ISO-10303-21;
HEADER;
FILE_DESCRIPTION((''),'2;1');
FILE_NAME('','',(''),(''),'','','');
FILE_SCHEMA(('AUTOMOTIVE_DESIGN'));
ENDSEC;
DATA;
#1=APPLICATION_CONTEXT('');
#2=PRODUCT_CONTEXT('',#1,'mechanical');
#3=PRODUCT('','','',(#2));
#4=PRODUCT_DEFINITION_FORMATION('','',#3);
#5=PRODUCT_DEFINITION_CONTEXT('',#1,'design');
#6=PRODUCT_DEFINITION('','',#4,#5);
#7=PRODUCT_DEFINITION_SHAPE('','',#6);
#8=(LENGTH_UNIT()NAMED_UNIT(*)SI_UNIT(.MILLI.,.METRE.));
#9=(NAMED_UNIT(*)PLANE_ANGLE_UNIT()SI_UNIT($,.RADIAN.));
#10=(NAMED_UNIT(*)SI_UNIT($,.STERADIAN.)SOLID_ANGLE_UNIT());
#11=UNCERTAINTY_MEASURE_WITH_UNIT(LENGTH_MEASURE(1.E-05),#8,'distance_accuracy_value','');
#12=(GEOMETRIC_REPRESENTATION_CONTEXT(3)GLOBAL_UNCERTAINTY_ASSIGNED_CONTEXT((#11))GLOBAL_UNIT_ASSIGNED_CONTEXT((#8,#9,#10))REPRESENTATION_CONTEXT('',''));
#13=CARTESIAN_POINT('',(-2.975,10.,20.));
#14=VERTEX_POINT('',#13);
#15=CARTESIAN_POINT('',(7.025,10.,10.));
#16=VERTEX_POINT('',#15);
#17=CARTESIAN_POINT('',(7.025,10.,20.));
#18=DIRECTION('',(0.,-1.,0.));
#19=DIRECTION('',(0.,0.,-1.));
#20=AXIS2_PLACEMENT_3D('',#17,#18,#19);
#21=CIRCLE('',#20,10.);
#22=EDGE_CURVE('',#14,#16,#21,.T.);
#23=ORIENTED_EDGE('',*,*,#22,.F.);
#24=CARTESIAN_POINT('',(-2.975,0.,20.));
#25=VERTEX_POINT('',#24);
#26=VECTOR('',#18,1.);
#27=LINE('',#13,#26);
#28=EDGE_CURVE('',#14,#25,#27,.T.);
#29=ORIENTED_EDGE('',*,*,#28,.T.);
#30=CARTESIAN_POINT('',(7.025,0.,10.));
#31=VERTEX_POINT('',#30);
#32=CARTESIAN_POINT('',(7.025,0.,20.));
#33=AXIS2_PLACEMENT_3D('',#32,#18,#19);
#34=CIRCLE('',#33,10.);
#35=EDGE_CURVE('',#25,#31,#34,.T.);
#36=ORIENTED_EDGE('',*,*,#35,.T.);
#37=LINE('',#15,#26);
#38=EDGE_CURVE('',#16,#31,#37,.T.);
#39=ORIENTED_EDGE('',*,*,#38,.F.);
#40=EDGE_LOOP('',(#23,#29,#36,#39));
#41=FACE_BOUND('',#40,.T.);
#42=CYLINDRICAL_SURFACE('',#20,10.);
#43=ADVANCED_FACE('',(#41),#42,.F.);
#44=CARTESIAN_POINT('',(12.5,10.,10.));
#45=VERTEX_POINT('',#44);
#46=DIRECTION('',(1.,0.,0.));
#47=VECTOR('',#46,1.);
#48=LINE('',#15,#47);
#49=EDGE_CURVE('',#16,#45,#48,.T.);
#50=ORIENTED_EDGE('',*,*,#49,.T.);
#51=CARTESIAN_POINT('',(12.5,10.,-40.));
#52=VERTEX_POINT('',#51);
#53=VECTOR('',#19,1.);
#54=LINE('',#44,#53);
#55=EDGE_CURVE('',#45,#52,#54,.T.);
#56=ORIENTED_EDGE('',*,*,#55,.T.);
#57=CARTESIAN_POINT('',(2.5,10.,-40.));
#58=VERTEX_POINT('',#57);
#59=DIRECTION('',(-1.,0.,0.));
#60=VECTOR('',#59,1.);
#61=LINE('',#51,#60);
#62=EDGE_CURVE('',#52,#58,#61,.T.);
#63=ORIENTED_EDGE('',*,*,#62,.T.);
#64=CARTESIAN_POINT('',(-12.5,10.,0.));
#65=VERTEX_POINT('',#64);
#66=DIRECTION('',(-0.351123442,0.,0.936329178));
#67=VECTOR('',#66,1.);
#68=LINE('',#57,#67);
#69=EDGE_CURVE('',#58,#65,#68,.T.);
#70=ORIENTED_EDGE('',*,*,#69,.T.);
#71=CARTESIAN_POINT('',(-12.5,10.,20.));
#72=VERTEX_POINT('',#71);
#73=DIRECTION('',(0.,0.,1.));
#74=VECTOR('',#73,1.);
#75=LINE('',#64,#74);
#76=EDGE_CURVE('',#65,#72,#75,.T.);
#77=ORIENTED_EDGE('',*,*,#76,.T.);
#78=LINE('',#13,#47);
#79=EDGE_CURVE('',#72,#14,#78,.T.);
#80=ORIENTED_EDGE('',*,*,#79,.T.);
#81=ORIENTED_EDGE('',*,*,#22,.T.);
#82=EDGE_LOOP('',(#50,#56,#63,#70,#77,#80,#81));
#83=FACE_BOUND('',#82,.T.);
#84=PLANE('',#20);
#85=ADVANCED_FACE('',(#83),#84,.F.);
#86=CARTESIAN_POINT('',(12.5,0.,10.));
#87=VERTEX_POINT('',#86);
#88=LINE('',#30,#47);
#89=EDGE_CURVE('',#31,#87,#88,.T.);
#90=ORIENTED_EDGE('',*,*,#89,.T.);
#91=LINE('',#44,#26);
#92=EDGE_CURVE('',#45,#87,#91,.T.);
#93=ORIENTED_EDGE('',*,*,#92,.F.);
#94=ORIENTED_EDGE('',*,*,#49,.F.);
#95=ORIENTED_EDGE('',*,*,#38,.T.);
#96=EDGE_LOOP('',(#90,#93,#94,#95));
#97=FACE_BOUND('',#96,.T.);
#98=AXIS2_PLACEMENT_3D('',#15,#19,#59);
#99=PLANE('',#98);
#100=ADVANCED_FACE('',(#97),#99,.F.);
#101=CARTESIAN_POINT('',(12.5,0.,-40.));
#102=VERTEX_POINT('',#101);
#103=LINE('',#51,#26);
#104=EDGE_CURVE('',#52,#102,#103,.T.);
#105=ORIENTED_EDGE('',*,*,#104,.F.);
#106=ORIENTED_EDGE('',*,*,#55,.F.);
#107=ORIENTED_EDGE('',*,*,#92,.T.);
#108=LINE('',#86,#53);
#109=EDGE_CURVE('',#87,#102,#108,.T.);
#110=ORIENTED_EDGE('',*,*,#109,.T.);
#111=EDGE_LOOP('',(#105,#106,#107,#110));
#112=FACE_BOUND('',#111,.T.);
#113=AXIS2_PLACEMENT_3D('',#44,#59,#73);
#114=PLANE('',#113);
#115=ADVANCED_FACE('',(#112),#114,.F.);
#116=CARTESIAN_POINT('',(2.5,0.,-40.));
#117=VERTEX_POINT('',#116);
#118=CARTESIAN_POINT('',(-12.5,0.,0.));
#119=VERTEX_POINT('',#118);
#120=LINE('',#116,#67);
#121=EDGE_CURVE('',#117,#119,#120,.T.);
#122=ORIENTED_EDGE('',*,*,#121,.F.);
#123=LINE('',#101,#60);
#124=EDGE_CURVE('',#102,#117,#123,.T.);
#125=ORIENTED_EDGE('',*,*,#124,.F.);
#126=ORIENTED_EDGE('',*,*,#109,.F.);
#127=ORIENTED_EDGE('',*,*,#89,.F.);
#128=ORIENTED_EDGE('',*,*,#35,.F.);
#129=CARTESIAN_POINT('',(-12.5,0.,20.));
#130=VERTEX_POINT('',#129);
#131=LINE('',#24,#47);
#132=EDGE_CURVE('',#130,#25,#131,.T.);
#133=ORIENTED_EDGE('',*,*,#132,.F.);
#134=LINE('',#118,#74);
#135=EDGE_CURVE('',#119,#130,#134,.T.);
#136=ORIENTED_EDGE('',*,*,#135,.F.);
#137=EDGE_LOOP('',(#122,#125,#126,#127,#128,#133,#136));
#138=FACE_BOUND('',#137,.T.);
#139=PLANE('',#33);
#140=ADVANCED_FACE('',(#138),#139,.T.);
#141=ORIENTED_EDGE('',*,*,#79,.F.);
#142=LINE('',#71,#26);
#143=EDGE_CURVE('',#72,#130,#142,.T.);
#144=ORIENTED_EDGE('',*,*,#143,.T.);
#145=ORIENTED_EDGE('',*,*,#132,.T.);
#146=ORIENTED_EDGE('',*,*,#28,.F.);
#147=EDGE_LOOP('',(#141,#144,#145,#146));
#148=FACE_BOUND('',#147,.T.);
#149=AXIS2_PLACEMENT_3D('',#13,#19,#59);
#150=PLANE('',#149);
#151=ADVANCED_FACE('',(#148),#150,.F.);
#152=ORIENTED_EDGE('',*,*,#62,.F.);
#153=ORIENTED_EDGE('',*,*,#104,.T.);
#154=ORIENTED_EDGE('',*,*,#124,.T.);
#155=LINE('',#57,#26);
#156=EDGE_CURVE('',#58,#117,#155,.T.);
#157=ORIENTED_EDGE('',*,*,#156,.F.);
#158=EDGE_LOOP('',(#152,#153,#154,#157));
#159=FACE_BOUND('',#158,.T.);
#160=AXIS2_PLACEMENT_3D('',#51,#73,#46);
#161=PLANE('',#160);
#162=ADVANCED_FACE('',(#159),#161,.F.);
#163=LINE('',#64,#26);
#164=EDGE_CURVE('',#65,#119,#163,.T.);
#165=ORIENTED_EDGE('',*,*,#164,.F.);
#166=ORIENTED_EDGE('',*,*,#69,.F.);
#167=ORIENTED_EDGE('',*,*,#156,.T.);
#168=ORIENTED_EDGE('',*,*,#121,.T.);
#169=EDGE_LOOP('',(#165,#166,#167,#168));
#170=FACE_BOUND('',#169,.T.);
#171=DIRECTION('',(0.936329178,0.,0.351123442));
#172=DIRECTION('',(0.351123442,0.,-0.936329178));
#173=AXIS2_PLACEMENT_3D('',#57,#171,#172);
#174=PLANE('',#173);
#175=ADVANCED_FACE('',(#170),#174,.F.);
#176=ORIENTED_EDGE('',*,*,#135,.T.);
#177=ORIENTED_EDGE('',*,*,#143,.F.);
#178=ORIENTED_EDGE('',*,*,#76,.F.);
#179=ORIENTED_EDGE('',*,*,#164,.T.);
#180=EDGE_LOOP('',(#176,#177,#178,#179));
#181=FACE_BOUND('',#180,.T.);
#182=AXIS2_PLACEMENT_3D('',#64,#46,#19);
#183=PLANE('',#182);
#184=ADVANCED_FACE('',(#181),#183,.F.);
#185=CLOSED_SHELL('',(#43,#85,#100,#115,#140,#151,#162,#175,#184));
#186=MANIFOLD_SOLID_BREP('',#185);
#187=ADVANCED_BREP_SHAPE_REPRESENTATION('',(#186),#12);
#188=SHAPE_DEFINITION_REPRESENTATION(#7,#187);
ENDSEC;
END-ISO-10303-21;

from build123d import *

# Parameters (mm, degrees)
SALIENTE_EXTRUIR1_DEPTH = 10


with BuildPart() as part:
    # Croquis1 → Saliente-Extruir1 (new body)
    with BuildSketch(Plane(origin=(0, 0, 0), x_dir=(1, 0, 0), z_dir=(0, 1, 0))):
        with BuildLine():
            Line((-12.5, 0), (-12.5, -20))
            Line((-12.5, -20), (-2.975, -20))
            ThreePointArc((-2.975, -20), (-0.046067812, -12.928932188), (7.025, -10))
            Line((7.025, -10), (12.5, -10))
            Line((12.5, -10), (12.5, 40))
            Line((12.5, 40), (2.5, 40))
            Line((2.5, 40), (-12.5, 0))
        make_face()
    extrude(amount=SALIENTE_EXTRUIR1_DEPTH)


solid = part.part
